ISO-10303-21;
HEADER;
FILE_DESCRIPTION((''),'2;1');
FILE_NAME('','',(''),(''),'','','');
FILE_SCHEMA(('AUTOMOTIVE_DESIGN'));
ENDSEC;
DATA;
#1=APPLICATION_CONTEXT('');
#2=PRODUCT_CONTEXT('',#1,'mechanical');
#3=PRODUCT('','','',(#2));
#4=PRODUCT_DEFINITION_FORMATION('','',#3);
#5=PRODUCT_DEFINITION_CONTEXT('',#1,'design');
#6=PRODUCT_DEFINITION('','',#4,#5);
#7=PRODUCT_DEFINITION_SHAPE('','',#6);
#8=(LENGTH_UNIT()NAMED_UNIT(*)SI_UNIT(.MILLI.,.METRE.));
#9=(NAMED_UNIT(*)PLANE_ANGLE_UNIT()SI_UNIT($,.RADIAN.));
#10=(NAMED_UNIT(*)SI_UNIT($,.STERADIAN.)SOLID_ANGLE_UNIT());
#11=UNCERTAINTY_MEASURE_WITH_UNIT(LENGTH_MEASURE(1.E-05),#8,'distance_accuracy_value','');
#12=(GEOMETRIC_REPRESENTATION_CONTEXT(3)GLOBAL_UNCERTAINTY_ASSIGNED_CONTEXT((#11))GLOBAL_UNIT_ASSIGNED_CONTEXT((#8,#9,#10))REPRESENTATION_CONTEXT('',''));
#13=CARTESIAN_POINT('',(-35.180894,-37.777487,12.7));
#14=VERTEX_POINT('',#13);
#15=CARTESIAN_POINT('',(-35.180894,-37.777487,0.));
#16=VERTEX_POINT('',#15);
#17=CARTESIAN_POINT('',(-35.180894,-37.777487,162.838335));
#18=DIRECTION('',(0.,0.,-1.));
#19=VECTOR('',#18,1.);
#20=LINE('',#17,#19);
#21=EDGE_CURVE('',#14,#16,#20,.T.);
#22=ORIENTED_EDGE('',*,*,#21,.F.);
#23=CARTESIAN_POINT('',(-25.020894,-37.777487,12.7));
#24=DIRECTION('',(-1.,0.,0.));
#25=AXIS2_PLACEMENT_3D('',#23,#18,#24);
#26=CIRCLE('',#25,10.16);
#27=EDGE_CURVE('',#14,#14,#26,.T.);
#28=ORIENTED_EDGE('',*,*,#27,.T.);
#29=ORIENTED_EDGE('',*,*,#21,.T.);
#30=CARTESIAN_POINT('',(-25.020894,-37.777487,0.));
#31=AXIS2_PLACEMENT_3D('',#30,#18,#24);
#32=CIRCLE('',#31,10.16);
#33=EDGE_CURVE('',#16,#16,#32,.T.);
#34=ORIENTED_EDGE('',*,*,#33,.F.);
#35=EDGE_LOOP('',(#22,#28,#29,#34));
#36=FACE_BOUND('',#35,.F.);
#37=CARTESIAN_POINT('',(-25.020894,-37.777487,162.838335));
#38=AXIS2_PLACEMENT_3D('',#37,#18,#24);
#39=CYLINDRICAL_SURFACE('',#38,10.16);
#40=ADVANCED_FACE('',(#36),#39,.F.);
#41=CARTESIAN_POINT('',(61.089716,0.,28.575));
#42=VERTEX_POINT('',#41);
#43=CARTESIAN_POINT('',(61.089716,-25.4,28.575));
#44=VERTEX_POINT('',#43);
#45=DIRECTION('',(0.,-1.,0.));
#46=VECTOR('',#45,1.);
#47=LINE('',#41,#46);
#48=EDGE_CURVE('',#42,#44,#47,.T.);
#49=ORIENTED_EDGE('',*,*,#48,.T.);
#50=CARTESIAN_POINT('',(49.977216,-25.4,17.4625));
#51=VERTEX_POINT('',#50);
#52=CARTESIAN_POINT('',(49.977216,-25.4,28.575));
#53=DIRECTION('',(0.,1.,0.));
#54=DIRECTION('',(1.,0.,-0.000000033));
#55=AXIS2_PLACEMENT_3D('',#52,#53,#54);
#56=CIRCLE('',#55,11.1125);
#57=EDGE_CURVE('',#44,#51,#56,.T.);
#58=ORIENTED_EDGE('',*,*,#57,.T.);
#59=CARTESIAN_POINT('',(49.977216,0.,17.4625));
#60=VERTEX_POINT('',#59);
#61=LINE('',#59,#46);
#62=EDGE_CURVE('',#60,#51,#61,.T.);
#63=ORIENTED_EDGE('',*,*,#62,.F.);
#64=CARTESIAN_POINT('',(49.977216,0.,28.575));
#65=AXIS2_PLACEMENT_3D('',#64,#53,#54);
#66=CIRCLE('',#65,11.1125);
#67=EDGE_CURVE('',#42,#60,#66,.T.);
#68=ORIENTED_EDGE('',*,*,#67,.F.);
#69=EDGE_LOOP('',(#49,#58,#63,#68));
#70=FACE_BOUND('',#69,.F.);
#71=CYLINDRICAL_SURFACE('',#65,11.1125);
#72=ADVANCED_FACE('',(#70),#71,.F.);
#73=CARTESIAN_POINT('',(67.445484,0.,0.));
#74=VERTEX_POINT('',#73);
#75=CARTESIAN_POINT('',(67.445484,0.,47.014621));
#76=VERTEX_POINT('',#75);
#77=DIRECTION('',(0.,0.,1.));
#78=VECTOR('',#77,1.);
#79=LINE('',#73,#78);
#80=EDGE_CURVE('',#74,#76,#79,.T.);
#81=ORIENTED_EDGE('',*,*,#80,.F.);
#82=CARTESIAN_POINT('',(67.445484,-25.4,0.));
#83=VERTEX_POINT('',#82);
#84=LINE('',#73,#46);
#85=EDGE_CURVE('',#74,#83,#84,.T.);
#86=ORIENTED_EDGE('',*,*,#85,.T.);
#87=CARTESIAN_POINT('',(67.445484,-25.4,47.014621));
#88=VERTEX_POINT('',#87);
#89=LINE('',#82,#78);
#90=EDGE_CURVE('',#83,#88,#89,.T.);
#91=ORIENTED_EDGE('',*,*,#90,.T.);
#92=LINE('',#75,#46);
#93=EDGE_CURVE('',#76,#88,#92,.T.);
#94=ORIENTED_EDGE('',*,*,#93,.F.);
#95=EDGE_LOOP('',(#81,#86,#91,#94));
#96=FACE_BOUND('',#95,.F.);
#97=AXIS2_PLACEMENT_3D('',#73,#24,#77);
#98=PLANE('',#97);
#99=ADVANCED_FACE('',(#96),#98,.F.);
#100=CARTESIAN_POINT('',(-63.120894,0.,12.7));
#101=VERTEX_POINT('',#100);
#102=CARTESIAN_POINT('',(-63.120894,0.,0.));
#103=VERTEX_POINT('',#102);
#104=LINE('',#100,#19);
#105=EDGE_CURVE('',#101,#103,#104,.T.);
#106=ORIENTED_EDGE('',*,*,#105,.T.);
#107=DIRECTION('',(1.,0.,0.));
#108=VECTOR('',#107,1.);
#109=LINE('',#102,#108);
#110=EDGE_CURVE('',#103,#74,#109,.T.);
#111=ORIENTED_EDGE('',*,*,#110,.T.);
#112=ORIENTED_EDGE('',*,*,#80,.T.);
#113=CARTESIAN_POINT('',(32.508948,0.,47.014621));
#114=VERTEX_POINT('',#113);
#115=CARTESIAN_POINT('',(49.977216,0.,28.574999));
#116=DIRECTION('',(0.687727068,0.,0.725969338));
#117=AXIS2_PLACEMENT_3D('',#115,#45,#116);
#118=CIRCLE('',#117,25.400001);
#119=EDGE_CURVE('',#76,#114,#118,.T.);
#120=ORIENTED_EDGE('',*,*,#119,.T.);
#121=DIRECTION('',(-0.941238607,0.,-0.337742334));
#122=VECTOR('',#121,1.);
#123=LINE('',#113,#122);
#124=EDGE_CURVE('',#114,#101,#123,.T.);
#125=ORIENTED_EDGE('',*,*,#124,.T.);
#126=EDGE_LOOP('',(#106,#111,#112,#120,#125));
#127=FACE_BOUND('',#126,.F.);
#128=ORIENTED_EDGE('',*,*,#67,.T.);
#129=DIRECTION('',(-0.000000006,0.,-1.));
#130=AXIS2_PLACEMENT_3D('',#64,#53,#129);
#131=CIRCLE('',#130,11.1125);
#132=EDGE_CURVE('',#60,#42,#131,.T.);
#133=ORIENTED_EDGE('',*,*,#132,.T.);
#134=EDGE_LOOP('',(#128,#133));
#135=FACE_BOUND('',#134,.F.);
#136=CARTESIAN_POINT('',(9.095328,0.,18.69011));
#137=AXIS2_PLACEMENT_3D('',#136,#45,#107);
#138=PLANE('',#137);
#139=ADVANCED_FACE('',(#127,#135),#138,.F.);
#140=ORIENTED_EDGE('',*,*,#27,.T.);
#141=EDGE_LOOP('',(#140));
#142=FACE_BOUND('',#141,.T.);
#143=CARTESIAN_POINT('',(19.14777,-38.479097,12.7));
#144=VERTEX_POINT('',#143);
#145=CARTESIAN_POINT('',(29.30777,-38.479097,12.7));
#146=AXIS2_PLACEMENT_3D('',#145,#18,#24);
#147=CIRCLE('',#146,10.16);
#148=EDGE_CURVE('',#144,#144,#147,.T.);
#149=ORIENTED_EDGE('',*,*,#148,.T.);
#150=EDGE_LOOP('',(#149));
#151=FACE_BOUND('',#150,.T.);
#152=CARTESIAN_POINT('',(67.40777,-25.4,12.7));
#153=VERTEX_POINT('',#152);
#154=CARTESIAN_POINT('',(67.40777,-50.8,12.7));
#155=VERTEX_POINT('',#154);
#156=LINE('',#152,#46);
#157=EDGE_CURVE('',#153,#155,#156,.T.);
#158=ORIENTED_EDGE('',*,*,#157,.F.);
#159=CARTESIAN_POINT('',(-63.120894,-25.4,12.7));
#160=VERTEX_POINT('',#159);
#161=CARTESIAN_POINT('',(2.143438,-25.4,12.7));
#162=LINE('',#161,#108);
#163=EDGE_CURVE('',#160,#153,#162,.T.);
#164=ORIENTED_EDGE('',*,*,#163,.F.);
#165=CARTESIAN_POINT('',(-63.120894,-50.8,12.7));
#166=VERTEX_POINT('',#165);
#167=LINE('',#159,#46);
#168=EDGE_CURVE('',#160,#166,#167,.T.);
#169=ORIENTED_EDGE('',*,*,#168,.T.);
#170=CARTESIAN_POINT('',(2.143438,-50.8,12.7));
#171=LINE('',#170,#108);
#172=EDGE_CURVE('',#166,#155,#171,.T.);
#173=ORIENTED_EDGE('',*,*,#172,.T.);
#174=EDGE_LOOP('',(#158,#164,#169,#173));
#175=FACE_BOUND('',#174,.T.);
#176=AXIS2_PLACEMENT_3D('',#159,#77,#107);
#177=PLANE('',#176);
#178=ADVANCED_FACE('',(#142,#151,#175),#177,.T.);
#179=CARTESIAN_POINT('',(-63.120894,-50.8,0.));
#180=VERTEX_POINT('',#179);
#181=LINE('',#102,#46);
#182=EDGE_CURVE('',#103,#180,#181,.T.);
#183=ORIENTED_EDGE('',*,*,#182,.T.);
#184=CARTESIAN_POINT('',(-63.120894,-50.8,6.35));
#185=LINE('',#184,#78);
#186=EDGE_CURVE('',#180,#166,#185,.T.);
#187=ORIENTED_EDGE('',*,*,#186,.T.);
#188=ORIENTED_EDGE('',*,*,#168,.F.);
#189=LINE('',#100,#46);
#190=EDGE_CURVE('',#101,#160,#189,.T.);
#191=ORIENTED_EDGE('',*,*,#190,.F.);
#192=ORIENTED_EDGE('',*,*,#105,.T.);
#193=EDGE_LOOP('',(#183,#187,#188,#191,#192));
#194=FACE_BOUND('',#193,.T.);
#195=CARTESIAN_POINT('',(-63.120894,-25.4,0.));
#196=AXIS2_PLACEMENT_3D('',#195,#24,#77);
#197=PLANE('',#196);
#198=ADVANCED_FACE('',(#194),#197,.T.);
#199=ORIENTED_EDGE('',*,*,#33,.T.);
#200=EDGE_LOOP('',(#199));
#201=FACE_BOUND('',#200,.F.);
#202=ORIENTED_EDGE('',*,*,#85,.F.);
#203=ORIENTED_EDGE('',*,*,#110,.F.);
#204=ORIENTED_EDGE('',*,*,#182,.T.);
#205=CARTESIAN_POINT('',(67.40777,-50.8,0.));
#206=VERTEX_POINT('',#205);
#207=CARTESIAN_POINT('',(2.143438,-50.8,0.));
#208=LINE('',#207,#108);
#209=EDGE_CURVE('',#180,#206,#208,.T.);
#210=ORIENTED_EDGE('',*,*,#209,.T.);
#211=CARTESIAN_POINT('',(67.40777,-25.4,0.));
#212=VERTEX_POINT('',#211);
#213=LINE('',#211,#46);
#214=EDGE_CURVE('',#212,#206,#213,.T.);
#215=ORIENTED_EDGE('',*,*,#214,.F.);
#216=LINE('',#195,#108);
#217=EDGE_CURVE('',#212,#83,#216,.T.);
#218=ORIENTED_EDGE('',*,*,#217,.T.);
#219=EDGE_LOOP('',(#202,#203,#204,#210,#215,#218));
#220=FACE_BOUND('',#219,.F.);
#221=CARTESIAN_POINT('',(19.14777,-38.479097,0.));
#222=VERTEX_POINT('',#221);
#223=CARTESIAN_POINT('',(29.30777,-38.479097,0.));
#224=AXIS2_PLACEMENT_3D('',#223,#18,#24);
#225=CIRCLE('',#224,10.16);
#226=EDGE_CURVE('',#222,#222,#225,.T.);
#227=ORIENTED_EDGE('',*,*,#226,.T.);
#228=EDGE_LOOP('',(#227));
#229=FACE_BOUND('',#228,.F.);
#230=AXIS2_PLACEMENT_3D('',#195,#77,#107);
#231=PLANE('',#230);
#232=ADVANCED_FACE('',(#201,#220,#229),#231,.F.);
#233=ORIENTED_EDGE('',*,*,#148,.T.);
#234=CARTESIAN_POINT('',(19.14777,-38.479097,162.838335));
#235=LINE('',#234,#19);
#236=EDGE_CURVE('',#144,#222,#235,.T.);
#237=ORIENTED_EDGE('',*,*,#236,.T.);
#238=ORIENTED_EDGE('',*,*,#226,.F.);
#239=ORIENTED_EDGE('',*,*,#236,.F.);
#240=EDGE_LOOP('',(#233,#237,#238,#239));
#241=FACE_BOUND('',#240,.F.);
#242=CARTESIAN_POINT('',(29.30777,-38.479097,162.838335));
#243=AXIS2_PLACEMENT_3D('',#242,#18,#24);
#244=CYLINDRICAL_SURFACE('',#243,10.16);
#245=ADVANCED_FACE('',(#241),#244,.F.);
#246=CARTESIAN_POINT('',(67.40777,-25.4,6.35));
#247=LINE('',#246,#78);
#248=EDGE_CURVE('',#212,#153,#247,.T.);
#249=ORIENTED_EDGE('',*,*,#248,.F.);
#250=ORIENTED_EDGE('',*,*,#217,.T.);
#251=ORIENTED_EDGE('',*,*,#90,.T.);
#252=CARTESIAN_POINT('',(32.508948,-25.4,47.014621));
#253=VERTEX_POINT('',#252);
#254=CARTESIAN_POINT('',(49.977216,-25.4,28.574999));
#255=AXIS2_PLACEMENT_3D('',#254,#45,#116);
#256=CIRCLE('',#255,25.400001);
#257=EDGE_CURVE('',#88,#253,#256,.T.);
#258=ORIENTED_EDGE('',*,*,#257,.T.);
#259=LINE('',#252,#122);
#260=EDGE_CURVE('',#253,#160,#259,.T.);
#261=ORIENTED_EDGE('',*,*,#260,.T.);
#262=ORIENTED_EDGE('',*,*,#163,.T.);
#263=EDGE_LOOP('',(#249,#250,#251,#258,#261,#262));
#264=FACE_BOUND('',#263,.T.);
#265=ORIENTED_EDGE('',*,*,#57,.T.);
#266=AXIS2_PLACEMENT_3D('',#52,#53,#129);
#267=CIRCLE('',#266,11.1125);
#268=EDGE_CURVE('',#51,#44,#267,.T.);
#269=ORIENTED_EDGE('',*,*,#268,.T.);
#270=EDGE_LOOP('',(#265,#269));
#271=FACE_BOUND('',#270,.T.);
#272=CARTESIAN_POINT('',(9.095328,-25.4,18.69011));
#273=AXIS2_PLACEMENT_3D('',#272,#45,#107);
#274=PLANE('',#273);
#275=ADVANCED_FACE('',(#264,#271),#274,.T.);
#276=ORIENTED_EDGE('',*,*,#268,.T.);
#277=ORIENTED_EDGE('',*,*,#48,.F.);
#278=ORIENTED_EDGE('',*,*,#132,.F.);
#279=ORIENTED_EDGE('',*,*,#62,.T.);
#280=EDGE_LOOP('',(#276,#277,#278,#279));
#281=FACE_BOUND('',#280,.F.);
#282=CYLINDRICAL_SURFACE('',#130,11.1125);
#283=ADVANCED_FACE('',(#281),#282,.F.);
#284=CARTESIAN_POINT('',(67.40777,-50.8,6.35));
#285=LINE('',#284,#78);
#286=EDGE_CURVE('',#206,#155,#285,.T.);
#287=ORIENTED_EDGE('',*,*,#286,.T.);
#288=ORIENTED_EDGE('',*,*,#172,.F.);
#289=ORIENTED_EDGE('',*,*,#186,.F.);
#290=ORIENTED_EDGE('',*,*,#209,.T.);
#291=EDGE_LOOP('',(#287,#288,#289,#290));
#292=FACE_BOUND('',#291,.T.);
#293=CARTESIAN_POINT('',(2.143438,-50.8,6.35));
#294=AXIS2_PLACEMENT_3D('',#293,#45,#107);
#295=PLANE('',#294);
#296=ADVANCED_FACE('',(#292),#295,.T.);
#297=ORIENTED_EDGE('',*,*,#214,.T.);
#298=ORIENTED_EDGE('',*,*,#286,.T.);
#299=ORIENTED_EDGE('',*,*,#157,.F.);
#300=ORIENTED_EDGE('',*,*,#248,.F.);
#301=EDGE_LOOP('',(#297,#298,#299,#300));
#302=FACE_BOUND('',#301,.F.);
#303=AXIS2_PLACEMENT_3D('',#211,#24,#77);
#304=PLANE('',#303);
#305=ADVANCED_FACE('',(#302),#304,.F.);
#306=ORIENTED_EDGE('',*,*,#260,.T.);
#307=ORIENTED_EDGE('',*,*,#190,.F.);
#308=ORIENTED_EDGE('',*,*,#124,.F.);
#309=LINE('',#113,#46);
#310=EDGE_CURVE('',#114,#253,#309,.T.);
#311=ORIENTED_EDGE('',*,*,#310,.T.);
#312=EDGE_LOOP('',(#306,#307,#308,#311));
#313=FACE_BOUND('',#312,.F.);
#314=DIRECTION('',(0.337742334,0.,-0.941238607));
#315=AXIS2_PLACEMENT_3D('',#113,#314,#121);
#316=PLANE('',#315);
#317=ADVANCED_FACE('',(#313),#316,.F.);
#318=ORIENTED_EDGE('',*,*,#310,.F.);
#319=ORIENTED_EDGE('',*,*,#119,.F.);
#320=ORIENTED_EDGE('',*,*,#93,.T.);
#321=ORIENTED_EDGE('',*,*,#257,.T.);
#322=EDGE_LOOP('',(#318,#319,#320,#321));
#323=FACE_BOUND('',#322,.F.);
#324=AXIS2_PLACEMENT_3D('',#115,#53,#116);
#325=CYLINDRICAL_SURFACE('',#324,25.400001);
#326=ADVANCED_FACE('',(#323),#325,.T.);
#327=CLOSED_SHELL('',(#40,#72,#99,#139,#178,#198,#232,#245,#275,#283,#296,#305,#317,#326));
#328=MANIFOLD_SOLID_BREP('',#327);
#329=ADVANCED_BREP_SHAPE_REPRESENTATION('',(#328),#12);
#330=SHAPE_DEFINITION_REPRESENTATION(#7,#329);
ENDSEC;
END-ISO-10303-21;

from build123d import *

# Parameters (mm, degrees)
F1_DEPTH = 25.4
F3_W     = 130.528664
F3_H     = 12.7
F4_DEPTH = 25.4
F6_D     = 20.32


with BuildPart() as f1:
    # F0 (on Front) → F1 (new body)
    with BuildSketch(Plane.XZ):
        with BuildLine():
            Line((-63.120894, 12.7), (-63.120894, 0))
            Line((-63.120894, 0), (49.977216, 0))
            Line((49.977216, 0), (67.445484, 0))
            Line((67.445484, 0), (67.445484, 47.014621))
            ThreePointArc((67.445484, 47.014621), (49.977216, 53.975), (32.508948, 47.014621))
            Line((32.508948, 47.014621), (-63.120894, 12.7))
        make_face()
        with BuildLine():
            ThreePointArc((61.089716, 28.575), (57.83494, 20.717276), (49.977216, 17.4625))
            ThreePointArc((49.977216, 17.4625), (42.119492, 36.432724), (61.089716, 28.575))
        make_face(mode=Mode.SUBTRACT)
    extrude(amount=F1_DEPTH)

    # F3 (on face) → F4 (join)
    with BuildSketch(Plane.XZ.offset(25.4)):
        with Locations((2.143438, 6.35)):
            Rectangle(F3_W, F3_H)
    extrude(amount=F4_DEPTH)

    # F6 (through all)
    with Locations(Plane.XY.offset(12.7)):
        with Locations((-25.020894, -37.777487), (29.30777, -38.479097)):
            Hole(F6_D / 2)


solid = f1.part
